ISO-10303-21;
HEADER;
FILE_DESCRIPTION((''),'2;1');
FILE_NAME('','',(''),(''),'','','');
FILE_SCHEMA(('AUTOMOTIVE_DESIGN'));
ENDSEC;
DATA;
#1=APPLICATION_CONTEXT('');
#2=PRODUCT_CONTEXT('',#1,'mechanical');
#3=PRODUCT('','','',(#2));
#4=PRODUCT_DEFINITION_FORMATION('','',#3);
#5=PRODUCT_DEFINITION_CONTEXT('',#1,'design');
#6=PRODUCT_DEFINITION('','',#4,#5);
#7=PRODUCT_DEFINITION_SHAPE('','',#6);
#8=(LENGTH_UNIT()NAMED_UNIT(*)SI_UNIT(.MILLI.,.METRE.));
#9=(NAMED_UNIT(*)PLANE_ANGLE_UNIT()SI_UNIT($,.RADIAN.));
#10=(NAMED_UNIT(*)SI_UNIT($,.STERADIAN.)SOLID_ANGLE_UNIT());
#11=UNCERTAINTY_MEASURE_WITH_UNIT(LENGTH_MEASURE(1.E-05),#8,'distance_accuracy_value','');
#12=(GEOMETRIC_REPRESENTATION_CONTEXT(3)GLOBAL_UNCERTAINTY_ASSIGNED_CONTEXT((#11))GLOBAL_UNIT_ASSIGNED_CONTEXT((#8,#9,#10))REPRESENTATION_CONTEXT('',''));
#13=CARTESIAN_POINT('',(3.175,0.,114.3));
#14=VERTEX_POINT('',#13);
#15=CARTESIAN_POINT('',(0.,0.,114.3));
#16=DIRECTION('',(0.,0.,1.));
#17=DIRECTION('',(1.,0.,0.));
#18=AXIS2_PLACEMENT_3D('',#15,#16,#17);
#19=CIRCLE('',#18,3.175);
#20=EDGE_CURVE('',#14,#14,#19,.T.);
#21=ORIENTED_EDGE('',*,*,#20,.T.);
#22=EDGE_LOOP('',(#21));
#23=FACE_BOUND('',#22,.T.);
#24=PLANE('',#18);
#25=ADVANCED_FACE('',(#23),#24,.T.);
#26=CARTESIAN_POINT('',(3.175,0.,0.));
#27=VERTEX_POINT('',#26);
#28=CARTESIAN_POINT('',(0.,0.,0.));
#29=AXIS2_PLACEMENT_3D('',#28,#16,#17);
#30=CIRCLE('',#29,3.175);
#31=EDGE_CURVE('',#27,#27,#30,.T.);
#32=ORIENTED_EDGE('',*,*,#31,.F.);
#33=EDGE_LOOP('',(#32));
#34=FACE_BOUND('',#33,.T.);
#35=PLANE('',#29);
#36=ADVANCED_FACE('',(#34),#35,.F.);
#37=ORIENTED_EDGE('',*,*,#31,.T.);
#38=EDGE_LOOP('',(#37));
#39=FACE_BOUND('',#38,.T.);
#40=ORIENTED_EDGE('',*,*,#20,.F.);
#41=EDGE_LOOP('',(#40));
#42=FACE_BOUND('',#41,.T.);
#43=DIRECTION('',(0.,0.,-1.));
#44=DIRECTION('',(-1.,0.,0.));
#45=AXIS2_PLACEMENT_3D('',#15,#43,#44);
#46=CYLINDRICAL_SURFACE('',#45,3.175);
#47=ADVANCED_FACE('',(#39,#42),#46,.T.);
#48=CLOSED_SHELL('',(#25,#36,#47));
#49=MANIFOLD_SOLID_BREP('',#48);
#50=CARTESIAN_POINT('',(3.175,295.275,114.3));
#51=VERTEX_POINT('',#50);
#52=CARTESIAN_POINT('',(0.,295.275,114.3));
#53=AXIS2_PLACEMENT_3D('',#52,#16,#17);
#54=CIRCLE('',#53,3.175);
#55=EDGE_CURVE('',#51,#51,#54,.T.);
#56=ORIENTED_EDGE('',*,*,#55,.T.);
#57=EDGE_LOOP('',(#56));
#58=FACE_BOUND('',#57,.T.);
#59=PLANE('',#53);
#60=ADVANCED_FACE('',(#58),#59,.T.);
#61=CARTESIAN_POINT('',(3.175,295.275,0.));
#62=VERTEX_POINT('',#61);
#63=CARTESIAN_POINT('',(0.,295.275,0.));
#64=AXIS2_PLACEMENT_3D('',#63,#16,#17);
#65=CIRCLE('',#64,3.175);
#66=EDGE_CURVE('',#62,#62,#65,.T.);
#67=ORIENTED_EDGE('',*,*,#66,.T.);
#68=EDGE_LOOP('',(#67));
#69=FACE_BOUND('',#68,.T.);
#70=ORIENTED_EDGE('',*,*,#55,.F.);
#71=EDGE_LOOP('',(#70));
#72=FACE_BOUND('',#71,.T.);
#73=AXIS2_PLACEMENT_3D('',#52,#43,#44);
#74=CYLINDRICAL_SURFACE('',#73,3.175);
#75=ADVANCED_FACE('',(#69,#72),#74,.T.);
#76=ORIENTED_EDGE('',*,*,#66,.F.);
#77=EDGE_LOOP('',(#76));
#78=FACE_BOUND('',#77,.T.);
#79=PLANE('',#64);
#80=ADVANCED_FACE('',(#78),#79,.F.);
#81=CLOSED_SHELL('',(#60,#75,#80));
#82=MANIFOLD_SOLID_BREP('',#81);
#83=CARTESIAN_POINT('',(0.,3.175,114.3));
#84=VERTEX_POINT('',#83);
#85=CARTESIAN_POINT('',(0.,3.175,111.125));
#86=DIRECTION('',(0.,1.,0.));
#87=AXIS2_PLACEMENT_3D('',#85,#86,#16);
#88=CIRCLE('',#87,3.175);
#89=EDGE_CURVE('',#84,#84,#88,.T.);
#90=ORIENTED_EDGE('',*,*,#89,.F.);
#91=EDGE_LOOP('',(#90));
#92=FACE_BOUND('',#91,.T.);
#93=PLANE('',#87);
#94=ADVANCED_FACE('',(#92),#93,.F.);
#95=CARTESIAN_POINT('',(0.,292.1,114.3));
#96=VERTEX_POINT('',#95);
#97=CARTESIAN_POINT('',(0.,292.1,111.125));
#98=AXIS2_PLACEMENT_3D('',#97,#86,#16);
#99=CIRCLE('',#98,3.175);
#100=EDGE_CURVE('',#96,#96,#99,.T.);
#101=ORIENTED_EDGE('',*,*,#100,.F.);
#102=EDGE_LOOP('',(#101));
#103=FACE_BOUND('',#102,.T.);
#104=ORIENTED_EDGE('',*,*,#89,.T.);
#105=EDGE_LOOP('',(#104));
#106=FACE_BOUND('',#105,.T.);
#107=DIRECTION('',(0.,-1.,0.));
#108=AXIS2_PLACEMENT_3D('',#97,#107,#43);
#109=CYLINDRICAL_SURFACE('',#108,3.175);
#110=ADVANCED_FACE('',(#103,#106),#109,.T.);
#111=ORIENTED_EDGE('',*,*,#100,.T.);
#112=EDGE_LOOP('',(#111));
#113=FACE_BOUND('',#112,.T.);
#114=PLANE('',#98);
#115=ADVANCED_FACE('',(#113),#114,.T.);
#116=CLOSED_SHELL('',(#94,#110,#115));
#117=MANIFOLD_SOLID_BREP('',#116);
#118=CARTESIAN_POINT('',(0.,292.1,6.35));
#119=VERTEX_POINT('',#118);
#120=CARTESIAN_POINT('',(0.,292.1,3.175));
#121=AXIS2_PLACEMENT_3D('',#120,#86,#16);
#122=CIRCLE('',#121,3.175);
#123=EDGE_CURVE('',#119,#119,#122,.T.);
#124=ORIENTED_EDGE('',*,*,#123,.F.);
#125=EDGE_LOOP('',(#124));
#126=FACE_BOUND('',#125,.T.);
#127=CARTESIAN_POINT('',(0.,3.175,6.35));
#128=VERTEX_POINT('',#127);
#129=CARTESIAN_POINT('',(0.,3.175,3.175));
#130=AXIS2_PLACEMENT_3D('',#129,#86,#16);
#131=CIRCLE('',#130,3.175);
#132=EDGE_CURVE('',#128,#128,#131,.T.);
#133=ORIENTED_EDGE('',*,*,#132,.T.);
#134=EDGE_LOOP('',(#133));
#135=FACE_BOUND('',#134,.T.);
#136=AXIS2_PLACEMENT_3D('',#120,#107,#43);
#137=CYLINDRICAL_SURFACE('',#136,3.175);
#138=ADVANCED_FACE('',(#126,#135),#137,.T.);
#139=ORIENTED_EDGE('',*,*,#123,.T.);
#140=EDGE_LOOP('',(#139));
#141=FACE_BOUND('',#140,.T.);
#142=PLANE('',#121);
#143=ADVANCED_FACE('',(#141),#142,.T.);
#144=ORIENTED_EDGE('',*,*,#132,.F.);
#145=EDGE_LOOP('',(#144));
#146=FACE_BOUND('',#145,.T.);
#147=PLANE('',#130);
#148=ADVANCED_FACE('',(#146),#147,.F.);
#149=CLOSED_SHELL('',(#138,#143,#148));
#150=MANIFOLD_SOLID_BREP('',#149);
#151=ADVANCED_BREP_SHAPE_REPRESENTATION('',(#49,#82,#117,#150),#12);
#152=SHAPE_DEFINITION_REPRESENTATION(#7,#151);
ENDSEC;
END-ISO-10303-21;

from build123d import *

# Parameters (mm, degrees)
SKETCH1_R           = 3.175
BOSS_EXTRUDE1_DEPTH = 114.3
SKETCH3_R           = 3.175
BOSS_EXTRUDE3_DEPTH = 288.925
SKETCH4_R           = 3.175
BOSS_EXTRUDE4_DEPTH = 288.925
SKETCH5_R           = 3.175
BOSS_EXTRUDE5_DEPTH = 114.3


with BuildPart() as part:
    # Sketch1 → Boss-Extrude1 (new body)
    with BuildSketch(Plane.XY):
        Circle(SKETCH1_R)
    extrude(amount=BOSS_EXTRUDE1_DEPTH)


with BuildPart() as body_2:
    # Sketch3 → Boss-Extrude3 (new body)
    with BuildSketch(Plane(origin=(0, 3.175, 0), x_dir=(1, 0, 0), z_dir=(0, 1, 0))):
        with Locations(Location((0, -111.125, 0), (0, 0, 270))):
            Circle(SKETCH3_R)
    extrude(amount=BOSS_EXTRUDE3_DEPTH)


with BuildPart() as body_3:
    # Sketch4 → Boss-Extrude4 (new body)
    with BuildSketch(Plane(origin=(0, 3.175, 0), x_dir=(1, 0, 0), z_dir=(0, 1, 0))):
        with Locations(Location((0, -3.175, 0), (0, 0, 270))):
            Circle(SKETCH4_R)
    extrude(amount=BOSS_EXTRUDE4_DEPTH)


with BuildPart() as body_4:
    # Sketch5 → Boss-Extrude5 (new body)
    with BuildSketch(Plane.XY):
        with Locations((0, 295.275)):
            Circle(SKETCH5_R)
    extrude(amount=BOSS_EXTRUDE5_DEPTH)


solid = Compound([part.part, body_2.part, body_3.part, body_4.part])
